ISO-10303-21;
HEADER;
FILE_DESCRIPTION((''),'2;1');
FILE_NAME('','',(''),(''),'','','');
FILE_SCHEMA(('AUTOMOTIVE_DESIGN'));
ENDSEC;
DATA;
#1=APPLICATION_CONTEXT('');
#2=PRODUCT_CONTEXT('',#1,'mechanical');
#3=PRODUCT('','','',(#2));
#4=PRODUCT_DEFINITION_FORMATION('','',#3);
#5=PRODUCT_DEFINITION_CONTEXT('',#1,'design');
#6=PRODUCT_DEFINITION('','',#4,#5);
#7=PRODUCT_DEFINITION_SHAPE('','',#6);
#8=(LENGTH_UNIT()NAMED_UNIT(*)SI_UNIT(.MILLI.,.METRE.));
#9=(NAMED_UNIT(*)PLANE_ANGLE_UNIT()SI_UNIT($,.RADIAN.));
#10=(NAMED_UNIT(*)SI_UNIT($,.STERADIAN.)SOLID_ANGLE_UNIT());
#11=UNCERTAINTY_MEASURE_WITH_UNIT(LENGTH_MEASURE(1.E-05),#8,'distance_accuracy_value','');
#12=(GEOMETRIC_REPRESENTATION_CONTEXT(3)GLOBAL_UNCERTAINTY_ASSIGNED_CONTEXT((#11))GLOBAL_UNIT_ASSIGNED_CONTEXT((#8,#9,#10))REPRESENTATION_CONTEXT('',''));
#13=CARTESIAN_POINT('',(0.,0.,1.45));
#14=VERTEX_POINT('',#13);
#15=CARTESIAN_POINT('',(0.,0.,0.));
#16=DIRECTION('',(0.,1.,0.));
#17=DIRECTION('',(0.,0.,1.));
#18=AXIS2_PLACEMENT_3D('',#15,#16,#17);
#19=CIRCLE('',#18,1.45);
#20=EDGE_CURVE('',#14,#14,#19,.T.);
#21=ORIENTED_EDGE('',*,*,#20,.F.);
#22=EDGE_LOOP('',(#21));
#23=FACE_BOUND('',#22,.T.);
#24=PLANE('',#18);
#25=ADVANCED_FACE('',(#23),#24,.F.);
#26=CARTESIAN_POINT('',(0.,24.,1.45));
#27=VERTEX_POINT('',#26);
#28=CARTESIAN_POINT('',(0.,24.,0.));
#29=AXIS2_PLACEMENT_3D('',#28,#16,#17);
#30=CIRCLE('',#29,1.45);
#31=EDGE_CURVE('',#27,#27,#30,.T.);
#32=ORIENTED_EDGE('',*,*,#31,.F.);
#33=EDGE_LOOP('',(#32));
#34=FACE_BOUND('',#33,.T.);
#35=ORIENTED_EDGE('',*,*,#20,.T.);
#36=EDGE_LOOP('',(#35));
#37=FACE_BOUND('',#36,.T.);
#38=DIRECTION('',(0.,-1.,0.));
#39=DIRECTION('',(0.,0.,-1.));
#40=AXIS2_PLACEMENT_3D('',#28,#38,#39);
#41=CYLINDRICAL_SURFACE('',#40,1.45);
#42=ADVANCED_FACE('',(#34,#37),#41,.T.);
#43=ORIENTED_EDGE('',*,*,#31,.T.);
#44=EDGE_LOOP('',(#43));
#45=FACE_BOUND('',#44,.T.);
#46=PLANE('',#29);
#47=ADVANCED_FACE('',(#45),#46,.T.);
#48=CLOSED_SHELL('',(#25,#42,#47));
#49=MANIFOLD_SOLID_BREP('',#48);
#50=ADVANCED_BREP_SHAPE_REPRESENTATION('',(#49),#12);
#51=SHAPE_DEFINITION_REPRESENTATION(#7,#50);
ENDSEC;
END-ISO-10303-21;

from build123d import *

# Parameters (mm, degrees)
SKETCH1_R           = 1.45
BOSS_EXTRUDE1_DEPTH = 24


with BuildPart() as part:
    # Sketch1 → Boss-Extrude1 (new body)
    with BuildSketch(Plane(origin=(0, 0, 0), x_dir=(1, 0, 0), z_dir=(0, 1, 0))):
        Circle(SKETCH1_R)
    extrude(amount=BOSS_EXTRUDE1_DEPTH)


solid = part.part
